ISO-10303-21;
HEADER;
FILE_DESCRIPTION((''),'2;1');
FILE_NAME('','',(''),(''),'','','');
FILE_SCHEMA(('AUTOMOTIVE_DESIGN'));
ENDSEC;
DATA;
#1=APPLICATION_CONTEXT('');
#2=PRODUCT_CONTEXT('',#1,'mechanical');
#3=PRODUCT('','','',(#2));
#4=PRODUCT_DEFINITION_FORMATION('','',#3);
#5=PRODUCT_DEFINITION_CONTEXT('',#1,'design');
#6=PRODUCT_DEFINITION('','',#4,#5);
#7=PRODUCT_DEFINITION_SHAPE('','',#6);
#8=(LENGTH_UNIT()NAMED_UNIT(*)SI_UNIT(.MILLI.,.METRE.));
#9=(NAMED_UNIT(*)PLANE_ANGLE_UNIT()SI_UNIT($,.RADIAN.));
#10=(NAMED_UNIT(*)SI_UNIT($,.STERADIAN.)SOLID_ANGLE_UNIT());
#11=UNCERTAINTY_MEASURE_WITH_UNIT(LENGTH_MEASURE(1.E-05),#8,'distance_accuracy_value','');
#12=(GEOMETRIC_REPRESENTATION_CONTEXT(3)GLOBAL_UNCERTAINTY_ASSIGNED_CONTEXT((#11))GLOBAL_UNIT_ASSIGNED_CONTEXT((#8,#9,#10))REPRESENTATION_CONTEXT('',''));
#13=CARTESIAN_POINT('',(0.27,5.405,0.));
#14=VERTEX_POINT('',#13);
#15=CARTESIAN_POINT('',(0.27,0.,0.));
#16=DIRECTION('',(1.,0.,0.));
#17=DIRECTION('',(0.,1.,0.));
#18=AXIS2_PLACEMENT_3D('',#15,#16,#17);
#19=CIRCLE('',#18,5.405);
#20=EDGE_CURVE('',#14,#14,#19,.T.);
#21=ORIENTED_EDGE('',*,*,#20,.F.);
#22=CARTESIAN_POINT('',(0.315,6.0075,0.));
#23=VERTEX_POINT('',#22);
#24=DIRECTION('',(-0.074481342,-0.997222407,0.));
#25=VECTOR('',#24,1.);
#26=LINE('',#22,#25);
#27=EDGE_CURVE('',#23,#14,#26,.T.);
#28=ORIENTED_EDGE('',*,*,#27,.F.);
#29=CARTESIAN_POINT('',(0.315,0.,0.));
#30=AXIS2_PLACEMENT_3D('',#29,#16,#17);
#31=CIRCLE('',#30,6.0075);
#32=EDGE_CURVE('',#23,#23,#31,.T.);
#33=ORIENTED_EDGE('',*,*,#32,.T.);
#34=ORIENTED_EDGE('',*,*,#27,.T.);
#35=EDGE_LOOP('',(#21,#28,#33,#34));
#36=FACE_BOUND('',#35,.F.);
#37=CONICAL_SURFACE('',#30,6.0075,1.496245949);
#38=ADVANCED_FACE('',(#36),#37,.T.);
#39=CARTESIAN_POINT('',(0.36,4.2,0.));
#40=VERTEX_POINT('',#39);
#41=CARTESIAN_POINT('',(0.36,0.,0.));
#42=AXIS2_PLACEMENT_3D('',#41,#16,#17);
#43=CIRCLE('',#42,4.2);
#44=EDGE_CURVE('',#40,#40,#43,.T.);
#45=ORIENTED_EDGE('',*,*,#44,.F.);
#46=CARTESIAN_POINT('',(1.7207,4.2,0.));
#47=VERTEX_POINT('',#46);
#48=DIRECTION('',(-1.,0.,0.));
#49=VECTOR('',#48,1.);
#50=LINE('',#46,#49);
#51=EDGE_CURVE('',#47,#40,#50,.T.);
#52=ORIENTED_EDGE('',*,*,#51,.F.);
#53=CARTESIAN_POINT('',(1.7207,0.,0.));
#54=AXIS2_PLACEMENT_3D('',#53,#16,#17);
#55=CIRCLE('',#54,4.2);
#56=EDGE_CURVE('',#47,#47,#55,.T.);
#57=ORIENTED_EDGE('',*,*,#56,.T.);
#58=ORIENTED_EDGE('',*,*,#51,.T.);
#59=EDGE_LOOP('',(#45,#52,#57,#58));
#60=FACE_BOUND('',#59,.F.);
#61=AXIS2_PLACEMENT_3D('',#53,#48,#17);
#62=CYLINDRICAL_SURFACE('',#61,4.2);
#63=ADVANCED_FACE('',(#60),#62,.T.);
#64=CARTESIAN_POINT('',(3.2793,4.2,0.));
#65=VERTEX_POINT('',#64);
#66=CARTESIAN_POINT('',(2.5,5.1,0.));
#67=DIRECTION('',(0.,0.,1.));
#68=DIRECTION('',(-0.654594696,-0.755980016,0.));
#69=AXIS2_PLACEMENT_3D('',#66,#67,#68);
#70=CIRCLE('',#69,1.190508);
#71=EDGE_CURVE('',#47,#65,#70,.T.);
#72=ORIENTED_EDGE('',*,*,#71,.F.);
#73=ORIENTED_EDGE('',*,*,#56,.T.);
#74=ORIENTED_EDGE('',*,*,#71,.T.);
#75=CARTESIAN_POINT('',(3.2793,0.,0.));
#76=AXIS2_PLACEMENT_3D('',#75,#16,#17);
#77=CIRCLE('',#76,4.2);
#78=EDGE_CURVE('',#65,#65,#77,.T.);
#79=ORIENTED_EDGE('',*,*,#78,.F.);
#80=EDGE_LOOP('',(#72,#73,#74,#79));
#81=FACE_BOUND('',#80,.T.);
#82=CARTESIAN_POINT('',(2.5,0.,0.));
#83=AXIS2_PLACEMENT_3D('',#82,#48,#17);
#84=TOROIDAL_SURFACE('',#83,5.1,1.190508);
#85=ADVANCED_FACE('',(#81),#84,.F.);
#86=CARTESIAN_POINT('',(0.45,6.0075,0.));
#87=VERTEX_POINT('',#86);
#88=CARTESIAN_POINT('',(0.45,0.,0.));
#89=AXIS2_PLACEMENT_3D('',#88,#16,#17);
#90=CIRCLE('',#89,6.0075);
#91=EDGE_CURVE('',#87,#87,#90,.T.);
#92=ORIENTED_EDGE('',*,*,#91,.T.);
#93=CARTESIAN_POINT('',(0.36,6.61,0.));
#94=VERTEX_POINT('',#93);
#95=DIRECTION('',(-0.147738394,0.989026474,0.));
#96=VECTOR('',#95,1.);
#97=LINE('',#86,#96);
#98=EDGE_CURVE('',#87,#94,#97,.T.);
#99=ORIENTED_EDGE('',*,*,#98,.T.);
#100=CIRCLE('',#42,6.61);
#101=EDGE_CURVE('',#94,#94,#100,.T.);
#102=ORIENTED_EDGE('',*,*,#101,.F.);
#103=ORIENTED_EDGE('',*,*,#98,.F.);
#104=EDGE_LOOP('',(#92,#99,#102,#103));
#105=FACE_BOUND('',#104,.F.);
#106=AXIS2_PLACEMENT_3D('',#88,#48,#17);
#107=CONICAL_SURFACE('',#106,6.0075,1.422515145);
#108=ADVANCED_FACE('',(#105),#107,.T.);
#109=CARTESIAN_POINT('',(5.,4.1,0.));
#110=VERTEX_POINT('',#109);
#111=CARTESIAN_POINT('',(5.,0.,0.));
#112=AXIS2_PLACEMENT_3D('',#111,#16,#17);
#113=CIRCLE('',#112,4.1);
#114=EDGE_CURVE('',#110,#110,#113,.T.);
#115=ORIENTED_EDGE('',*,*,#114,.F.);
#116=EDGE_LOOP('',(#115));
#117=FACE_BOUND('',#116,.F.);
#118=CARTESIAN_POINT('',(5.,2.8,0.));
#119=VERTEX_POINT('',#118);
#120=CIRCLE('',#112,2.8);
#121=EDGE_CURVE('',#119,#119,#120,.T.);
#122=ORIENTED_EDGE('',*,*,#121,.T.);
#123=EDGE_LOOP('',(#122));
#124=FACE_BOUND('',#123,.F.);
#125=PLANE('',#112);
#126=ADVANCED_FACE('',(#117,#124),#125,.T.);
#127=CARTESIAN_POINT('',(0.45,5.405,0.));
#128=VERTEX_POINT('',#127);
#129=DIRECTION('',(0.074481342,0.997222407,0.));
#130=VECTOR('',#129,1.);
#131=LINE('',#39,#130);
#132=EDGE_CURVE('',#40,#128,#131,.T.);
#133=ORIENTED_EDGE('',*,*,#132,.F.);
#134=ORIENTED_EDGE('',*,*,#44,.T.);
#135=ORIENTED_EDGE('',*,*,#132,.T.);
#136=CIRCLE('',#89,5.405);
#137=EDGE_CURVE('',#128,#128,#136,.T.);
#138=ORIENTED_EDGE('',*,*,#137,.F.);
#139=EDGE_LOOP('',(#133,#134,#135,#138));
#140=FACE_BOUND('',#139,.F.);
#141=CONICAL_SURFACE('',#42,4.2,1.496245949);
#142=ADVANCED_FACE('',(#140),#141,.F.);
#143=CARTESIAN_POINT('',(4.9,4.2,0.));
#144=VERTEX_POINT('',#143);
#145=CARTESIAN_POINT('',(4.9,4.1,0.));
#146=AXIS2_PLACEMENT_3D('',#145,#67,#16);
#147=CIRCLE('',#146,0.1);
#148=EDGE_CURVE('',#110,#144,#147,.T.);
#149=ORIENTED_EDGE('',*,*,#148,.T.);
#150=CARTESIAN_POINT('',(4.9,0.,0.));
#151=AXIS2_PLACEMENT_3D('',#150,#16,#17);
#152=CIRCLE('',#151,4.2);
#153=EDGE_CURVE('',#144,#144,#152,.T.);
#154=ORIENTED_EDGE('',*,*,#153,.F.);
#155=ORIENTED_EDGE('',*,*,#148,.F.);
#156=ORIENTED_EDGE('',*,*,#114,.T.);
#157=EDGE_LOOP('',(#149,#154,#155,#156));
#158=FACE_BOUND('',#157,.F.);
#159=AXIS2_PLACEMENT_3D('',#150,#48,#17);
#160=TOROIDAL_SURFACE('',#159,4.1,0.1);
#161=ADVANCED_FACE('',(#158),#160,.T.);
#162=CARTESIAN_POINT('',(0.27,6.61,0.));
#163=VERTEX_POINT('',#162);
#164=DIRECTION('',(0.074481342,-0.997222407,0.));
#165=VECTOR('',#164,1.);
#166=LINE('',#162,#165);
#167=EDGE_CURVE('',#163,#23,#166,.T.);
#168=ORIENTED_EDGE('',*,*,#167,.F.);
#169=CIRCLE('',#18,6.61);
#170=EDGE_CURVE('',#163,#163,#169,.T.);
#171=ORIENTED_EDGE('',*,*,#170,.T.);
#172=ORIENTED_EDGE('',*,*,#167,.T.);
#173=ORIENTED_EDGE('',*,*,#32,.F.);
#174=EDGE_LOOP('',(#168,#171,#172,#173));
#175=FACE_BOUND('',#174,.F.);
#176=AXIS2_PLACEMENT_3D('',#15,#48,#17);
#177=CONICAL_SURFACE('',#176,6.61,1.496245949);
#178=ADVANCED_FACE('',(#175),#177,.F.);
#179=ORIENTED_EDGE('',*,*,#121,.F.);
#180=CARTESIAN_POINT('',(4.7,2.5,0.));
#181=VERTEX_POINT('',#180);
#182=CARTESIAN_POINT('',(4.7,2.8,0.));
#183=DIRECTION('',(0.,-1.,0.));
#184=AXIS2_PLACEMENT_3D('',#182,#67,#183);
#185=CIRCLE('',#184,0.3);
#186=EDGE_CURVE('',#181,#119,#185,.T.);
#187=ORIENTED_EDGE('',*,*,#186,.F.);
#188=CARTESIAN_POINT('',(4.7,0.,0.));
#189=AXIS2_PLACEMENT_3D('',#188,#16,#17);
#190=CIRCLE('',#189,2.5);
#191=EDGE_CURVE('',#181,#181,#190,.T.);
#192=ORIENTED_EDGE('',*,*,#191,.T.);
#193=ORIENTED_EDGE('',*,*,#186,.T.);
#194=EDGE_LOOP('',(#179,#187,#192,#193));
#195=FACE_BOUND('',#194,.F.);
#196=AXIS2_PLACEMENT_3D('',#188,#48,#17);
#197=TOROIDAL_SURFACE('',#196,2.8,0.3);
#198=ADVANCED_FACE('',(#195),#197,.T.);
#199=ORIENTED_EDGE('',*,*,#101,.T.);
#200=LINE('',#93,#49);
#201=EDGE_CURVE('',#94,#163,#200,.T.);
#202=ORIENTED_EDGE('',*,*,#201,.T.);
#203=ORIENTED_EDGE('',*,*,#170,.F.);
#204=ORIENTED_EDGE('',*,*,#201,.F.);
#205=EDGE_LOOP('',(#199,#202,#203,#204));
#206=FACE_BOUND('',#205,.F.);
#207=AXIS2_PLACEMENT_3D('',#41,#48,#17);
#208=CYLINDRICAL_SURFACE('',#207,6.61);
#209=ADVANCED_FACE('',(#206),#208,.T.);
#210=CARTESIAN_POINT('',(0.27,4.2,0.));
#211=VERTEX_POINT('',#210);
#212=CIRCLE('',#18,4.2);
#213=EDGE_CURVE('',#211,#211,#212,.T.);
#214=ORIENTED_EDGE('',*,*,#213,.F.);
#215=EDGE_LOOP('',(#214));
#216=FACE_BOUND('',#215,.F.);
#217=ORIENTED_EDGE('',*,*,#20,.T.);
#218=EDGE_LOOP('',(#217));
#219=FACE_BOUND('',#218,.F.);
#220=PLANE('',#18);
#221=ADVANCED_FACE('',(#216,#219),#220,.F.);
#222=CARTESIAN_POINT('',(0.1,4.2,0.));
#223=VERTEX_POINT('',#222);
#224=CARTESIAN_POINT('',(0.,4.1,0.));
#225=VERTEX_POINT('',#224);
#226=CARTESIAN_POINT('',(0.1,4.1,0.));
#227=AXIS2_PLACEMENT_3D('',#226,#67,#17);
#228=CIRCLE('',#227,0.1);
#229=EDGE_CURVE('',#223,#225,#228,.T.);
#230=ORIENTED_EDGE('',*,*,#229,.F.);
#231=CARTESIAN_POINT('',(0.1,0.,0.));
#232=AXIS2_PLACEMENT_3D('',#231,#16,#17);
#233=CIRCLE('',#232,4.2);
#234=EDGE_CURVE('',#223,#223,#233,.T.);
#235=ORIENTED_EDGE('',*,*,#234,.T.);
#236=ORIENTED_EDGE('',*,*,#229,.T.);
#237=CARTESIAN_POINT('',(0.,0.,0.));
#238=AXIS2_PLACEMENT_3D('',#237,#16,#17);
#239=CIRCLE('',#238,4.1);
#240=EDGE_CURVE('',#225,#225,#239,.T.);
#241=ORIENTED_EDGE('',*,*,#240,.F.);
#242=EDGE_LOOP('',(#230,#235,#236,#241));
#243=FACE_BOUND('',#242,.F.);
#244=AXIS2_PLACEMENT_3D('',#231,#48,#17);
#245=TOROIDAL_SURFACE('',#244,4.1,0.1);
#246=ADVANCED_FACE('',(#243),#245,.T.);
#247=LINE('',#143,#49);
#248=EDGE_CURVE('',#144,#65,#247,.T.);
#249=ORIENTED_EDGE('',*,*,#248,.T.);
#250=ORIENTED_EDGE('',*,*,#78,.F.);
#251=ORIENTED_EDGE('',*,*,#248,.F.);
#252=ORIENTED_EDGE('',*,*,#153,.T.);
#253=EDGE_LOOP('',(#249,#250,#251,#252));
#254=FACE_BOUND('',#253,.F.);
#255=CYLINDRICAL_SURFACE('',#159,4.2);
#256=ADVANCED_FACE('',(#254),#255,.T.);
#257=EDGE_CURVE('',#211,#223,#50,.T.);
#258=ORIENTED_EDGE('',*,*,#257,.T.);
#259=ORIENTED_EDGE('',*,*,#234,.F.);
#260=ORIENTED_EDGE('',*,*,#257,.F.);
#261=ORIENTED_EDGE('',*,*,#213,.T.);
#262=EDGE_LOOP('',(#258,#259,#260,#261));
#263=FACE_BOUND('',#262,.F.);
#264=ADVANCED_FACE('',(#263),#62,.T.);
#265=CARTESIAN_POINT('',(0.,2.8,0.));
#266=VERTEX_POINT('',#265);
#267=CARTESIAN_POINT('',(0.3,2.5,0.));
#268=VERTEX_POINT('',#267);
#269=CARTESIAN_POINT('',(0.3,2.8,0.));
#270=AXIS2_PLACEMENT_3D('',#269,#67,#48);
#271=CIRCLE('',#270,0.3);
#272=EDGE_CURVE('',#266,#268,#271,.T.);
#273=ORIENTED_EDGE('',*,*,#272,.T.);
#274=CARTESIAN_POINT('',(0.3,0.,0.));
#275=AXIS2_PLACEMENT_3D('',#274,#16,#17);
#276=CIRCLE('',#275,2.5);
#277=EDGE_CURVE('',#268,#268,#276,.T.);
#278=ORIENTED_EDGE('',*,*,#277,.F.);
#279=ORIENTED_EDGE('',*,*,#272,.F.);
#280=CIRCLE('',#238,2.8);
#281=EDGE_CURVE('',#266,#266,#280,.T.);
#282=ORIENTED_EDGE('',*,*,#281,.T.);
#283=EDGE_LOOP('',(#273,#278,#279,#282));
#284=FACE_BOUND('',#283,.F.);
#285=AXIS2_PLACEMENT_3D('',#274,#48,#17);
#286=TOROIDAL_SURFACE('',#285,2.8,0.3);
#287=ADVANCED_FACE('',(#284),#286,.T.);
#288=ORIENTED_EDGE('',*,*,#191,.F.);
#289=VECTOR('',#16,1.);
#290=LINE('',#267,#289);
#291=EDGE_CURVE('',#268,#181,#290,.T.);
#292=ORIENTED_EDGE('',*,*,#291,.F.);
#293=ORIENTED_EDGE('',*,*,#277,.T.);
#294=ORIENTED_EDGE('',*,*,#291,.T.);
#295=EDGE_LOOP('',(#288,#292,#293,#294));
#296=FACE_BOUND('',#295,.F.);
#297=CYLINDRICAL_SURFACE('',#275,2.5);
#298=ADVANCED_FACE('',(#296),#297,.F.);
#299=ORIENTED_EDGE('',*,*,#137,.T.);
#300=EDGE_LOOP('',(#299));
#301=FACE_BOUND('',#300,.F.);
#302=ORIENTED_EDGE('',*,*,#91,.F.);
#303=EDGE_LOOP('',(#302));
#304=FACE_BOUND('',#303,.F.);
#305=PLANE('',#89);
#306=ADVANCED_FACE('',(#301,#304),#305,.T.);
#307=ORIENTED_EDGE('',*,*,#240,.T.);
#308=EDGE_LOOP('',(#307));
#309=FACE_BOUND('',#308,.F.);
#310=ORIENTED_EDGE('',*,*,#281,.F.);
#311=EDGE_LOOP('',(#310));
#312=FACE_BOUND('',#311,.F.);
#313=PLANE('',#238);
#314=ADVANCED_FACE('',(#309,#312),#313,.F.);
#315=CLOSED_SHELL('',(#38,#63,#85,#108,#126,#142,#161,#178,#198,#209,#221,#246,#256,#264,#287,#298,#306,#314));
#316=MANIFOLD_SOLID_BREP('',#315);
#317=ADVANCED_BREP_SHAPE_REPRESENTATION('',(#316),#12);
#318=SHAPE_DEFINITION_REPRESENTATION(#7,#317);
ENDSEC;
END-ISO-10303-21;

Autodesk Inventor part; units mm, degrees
ref_plane "YZ Plane" through (0, 0, 0) normal (1, 0, 0) x (0, 1, 0)
ref_plane "XZ Plane" through (0, 0, 0) normal (0, 1, 0) x (-1, 0, 0)
ref_plane "XY Plane" through (0, 0, 0) normal (0, 0, 1) x (1, 0, 0)
sketch "Sketch_62" plane through (0, 0, 0) normal (0, 0, 1) x (1, 0, 0)
  line L0 (50, 0) -> (-50, 0)
  line L1 (0, 4.1) -> (0, 2.8)
  arc A0 (0, 2.8) -> (0.3, 2.5) centre (0.3, 2.8) ccw
  line L2 (0.3, 2.5) -> (4.7, 2.5)
  arc A1 (4.7, 2.5) -> (5, 2.8) centre (4.7, 2.8) ccw
  line L3 (5, 2.8) -> (5, 4.1)
  arc A2 (5, 4.1) -> (4.9, 4.2) centre (4.9, 4.1) ccw
  line L4 (4.9, 4.2) -> (3.2793, 4.2)
  arc A3 (1.7207, 4.2) -> (3.2793, 4.2) centre (2.5, 5.1) ccw
  line L5 (1.7207, 4.2) -> (0.1, 4.2)
  arc A4 (0.1, 4.2) -> (0, 4.1) centre (0.1, 4.1) ccw
revolve "Revolution1" add sketch "Sketch_62" angle 360 about axis through (50, 0, 0) along (1, 0, 0)
sketch "Sketch_63" plane through (0, 0, 0) normal (0, 0, 1) x (1, 0, 0)
  line L0 (50, 0) -> (-50, 0)
  line L1 (0.27, 6.61) -> (0.315, 6.0075)
  line L2 (0.315, 6.0075) -> (0.27, 5.405)
  line L3 (0.27, 5.405) -> (0.27, 4.2)
  line L4 (0.27, 4.2) -> (0.36, 4.2)
  line L5 (0.36, 4.2) -> (0.45, 5.405)
  line L6 (0.45, 5.405) -> (0.45, 6.0075)
  line L7 (0.45, 6.0075) -> (0.36, 6.61)
  line L8 (0.36, 6.61) -> (0.27, 6.61)
revolve "Revolution2" add sketch "Sketch_63" angle 360 about axis through (50, 0, 0) along (1, 0, 0)
properties part number "625-Z_PART1"
